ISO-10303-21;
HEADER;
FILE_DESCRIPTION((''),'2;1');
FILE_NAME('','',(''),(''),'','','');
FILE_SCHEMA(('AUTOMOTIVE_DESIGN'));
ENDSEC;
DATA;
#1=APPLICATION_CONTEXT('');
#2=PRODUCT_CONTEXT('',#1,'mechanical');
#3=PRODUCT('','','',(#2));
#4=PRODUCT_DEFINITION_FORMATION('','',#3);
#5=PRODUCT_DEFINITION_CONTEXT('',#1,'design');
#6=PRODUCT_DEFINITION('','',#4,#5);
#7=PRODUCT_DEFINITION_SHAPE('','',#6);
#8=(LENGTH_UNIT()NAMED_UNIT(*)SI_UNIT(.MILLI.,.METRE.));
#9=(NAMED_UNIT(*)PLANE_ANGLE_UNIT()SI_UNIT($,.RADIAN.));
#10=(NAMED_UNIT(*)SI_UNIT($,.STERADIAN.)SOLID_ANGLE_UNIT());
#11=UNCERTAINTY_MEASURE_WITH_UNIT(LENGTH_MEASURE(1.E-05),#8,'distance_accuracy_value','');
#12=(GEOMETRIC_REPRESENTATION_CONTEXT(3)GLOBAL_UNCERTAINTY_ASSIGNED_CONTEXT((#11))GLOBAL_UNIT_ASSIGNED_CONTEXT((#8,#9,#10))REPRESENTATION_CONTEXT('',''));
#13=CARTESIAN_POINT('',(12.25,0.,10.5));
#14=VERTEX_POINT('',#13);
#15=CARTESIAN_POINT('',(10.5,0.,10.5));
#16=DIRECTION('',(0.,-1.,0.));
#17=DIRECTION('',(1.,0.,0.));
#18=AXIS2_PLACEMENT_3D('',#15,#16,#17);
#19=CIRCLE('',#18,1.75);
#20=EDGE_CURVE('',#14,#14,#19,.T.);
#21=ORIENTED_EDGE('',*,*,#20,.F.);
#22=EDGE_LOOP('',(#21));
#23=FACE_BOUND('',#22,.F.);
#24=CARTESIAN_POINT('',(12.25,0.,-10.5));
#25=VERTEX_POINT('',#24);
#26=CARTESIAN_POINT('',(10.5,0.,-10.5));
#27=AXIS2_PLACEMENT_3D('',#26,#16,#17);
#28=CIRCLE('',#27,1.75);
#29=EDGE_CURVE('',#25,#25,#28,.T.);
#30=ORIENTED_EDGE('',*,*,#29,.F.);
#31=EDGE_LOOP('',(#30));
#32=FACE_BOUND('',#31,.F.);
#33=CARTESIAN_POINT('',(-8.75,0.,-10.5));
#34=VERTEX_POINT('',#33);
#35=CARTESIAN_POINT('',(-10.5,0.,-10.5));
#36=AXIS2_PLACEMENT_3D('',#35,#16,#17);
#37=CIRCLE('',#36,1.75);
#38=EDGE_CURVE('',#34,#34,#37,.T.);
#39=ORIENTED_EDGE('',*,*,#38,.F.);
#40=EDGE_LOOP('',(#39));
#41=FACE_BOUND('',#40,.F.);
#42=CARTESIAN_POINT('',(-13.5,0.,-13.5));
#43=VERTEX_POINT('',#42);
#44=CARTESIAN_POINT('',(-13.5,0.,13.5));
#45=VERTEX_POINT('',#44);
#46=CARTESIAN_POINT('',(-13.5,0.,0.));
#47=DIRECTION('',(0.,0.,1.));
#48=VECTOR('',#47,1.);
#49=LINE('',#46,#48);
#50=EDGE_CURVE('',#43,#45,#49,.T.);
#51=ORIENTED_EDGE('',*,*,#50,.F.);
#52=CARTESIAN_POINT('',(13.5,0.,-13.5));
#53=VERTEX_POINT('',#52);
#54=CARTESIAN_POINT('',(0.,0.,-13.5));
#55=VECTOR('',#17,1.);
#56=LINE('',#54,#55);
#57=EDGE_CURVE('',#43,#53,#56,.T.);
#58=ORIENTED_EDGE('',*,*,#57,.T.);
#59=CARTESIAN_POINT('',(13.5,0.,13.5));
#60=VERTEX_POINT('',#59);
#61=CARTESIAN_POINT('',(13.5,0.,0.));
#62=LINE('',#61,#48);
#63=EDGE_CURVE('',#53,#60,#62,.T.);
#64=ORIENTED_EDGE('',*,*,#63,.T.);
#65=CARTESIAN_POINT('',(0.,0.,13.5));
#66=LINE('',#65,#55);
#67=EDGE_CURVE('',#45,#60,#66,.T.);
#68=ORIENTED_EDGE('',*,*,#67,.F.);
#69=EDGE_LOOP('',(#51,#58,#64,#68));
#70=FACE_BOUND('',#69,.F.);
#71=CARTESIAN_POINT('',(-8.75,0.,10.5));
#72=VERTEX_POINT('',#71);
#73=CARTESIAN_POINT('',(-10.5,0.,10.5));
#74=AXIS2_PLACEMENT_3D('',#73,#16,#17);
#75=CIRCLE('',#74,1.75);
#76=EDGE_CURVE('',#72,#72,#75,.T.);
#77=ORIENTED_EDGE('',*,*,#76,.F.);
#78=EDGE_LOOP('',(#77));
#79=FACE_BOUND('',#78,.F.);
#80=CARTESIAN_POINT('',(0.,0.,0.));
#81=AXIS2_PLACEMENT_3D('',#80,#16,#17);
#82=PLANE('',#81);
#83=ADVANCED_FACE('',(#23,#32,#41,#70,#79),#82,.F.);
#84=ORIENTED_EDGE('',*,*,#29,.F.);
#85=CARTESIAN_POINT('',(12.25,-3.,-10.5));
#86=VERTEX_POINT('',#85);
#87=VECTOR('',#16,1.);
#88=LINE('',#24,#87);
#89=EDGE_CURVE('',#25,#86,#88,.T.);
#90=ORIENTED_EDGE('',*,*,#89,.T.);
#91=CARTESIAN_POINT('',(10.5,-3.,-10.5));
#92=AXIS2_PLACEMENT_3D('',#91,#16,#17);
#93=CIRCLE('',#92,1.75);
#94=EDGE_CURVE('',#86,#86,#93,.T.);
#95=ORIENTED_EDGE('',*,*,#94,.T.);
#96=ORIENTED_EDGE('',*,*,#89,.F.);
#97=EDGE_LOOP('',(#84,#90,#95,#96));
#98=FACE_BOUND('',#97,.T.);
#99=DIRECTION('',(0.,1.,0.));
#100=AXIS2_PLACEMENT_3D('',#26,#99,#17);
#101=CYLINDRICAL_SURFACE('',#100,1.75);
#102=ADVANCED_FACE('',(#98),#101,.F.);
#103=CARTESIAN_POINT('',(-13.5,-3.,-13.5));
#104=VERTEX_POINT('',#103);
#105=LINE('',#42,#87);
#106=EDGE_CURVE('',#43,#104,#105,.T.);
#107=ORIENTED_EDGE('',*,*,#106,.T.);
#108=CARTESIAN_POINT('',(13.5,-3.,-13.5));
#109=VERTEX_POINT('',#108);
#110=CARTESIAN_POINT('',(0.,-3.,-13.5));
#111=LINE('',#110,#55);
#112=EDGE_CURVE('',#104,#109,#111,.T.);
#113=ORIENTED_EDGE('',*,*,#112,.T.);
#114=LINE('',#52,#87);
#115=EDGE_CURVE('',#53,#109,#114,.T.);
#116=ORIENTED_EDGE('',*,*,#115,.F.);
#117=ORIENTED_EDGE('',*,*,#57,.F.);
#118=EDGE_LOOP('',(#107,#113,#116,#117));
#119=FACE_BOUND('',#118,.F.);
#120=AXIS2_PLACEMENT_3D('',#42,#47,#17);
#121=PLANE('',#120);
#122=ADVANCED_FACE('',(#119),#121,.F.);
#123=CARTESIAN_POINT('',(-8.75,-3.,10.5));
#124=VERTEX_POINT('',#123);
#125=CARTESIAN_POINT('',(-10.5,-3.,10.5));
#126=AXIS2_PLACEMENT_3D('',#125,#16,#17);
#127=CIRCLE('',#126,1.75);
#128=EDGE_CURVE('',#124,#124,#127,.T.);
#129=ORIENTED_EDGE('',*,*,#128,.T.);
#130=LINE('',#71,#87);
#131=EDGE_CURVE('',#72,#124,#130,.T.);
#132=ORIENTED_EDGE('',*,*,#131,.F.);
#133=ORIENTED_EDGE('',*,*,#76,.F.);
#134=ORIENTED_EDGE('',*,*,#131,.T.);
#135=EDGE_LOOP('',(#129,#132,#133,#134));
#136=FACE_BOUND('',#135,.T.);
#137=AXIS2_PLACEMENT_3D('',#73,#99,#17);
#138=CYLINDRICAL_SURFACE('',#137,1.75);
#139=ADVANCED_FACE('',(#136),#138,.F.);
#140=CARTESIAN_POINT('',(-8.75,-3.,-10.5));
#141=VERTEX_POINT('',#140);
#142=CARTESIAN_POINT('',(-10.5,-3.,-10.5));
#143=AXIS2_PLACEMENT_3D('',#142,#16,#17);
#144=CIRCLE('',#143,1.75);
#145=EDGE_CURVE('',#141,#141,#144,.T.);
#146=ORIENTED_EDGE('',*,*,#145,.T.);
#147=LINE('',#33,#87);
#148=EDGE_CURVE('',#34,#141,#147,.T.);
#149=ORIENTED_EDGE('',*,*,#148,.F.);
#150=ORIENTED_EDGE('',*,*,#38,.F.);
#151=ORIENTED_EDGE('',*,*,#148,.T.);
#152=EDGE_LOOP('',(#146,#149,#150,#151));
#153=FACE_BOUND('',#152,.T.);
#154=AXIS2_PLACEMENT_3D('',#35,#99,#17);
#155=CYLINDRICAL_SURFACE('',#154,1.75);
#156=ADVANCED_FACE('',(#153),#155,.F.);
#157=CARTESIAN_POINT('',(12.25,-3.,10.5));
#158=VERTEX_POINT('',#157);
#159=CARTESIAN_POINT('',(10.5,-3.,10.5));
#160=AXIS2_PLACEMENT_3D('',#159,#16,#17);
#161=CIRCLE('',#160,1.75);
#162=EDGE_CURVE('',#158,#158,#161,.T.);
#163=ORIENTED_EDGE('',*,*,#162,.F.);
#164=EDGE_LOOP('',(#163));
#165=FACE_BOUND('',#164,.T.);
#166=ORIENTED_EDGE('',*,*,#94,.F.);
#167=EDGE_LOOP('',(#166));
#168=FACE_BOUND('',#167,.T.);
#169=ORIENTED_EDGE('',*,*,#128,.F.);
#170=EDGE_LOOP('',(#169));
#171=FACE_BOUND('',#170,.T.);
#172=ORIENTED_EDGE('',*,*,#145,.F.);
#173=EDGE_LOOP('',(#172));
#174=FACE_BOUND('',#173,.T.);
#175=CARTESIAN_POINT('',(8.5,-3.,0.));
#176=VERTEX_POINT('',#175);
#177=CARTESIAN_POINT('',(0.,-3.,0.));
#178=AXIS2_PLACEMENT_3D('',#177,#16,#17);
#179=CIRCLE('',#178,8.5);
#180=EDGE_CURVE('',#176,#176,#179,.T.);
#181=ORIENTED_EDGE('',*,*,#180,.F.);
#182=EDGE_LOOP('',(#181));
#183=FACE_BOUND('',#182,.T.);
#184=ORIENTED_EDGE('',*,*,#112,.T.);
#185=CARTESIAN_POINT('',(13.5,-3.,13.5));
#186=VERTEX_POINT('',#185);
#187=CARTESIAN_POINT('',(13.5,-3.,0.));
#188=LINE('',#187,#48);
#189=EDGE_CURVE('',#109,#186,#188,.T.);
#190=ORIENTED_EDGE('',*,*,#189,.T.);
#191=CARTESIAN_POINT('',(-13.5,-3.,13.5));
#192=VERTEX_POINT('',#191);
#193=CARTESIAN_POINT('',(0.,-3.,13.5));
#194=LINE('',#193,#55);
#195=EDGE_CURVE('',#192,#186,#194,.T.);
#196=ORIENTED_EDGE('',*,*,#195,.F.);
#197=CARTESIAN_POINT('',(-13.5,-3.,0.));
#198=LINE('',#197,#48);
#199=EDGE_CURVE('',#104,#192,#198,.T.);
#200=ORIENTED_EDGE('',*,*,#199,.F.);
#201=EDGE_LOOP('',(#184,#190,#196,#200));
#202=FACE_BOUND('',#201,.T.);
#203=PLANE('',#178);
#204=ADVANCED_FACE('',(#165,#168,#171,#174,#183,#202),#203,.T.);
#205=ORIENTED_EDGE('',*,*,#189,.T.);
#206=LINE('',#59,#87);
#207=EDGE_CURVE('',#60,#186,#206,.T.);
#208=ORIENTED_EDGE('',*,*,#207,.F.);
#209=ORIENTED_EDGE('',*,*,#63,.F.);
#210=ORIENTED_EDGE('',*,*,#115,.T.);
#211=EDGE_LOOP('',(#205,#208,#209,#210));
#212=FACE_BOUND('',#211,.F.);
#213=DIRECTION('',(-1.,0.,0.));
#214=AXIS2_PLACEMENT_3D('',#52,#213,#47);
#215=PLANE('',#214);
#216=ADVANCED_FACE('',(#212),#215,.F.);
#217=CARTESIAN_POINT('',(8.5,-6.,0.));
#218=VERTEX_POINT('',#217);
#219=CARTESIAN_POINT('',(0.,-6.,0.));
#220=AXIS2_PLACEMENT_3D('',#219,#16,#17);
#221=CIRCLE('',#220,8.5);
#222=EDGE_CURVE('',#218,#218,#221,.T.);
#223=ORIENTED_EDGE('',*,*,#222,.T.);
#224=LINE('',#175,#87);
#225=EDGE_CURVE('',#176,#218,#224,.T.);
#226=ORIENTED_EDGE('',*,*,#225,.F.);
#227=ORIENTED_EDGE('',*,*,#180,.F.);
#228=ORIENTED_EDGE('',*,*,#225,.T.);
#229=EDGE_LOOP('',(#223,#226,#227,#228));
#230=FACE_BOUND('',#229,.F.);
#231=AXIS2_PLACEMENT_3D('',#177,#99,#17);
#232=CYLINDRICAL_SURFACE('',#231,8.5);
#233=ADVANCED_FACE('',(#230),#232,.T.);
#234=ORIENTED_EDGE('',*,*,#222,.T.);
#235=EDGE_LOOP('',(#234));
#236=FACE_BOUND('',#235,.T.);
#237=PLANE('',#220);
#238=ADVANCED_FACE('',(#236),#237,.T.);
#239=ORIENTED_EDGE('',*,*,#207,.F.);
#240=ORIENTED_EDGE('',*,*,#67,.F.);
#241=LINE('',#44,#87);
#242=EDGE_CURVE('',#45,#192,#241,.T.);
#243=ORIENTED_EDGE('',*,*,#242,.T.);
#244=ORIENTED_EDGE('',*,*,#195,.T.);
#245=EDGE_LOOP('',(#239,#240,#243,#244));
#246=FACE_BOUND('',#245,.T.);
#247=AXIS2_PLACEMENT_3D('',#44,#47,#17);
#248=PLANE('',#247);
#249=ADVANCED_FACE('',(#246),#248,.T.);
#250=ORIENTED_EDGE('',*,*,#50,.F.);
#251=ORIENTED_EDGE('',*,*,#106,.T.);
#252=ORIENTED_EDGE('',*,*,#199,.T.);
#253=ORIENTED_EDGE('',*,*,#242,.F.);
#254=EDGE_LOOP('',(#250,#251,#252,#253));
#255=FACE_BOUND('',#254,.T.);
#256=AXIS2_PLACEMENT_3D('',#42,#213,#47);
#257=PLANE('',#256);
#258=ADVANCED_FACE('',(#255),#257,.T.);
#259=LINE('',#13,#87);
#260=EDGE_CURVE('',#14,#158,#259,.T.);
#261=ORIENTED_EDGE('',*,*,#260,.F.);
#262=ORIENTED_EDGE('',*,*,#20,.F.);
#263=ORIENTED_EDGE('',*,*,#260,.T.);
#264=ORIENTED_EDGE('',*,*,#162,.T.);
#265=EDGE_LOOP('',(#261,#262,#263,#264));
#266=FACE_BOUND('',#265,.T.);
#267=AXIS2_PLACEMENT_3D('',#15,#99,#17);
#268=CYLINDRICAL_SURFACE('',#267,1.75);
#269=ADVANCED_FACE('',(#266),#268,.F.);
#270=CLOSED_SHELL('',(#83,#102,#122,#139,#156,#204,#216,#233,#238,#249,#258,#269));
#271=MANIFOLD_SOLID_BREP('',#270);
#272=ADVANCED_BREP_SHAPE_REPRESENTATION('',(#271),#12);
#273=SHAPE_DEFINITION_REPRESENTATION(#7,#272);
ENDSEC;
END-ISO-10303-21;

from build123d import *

# Parameters (mm, degrees)
F0_W     = 27
F0_H     = 27
F0_R     = 1.75
F1_DEPTH = 3
F2_R     = 8.5
F3_DEPTH = 3


with BuildPart() as f1:
    # F0 (on Front) → F1 (new body)
    with BuildSketch(Plane.XZ):
        Rectangle(F0_W, F0_H)
        with Locations((-10.5, -10.5)):
            Circle(F0_R, mode=Mode.SUBTRACT)
        with Locations((10.5, -10.5)):
            Circle(F0_R, mode=Mode.SUBTRACT)
        with Locations((-10.5, 10.5)):
            Circle(F0_R, mode=Mode.SUBTRACT)
        with Locations((10.5, 10.5)):
            Circle(F0_R, mode=Mode.SUBTRACT)
    extrude(amount=F1_DEPTH)

    # F2 (on face) → F3 (join)
    with BuildSketch(Plane.XZ.offset(3)):
        Circle(F2_R)
    extrude(amount=F3_DEPTH)


solid = f1.part
